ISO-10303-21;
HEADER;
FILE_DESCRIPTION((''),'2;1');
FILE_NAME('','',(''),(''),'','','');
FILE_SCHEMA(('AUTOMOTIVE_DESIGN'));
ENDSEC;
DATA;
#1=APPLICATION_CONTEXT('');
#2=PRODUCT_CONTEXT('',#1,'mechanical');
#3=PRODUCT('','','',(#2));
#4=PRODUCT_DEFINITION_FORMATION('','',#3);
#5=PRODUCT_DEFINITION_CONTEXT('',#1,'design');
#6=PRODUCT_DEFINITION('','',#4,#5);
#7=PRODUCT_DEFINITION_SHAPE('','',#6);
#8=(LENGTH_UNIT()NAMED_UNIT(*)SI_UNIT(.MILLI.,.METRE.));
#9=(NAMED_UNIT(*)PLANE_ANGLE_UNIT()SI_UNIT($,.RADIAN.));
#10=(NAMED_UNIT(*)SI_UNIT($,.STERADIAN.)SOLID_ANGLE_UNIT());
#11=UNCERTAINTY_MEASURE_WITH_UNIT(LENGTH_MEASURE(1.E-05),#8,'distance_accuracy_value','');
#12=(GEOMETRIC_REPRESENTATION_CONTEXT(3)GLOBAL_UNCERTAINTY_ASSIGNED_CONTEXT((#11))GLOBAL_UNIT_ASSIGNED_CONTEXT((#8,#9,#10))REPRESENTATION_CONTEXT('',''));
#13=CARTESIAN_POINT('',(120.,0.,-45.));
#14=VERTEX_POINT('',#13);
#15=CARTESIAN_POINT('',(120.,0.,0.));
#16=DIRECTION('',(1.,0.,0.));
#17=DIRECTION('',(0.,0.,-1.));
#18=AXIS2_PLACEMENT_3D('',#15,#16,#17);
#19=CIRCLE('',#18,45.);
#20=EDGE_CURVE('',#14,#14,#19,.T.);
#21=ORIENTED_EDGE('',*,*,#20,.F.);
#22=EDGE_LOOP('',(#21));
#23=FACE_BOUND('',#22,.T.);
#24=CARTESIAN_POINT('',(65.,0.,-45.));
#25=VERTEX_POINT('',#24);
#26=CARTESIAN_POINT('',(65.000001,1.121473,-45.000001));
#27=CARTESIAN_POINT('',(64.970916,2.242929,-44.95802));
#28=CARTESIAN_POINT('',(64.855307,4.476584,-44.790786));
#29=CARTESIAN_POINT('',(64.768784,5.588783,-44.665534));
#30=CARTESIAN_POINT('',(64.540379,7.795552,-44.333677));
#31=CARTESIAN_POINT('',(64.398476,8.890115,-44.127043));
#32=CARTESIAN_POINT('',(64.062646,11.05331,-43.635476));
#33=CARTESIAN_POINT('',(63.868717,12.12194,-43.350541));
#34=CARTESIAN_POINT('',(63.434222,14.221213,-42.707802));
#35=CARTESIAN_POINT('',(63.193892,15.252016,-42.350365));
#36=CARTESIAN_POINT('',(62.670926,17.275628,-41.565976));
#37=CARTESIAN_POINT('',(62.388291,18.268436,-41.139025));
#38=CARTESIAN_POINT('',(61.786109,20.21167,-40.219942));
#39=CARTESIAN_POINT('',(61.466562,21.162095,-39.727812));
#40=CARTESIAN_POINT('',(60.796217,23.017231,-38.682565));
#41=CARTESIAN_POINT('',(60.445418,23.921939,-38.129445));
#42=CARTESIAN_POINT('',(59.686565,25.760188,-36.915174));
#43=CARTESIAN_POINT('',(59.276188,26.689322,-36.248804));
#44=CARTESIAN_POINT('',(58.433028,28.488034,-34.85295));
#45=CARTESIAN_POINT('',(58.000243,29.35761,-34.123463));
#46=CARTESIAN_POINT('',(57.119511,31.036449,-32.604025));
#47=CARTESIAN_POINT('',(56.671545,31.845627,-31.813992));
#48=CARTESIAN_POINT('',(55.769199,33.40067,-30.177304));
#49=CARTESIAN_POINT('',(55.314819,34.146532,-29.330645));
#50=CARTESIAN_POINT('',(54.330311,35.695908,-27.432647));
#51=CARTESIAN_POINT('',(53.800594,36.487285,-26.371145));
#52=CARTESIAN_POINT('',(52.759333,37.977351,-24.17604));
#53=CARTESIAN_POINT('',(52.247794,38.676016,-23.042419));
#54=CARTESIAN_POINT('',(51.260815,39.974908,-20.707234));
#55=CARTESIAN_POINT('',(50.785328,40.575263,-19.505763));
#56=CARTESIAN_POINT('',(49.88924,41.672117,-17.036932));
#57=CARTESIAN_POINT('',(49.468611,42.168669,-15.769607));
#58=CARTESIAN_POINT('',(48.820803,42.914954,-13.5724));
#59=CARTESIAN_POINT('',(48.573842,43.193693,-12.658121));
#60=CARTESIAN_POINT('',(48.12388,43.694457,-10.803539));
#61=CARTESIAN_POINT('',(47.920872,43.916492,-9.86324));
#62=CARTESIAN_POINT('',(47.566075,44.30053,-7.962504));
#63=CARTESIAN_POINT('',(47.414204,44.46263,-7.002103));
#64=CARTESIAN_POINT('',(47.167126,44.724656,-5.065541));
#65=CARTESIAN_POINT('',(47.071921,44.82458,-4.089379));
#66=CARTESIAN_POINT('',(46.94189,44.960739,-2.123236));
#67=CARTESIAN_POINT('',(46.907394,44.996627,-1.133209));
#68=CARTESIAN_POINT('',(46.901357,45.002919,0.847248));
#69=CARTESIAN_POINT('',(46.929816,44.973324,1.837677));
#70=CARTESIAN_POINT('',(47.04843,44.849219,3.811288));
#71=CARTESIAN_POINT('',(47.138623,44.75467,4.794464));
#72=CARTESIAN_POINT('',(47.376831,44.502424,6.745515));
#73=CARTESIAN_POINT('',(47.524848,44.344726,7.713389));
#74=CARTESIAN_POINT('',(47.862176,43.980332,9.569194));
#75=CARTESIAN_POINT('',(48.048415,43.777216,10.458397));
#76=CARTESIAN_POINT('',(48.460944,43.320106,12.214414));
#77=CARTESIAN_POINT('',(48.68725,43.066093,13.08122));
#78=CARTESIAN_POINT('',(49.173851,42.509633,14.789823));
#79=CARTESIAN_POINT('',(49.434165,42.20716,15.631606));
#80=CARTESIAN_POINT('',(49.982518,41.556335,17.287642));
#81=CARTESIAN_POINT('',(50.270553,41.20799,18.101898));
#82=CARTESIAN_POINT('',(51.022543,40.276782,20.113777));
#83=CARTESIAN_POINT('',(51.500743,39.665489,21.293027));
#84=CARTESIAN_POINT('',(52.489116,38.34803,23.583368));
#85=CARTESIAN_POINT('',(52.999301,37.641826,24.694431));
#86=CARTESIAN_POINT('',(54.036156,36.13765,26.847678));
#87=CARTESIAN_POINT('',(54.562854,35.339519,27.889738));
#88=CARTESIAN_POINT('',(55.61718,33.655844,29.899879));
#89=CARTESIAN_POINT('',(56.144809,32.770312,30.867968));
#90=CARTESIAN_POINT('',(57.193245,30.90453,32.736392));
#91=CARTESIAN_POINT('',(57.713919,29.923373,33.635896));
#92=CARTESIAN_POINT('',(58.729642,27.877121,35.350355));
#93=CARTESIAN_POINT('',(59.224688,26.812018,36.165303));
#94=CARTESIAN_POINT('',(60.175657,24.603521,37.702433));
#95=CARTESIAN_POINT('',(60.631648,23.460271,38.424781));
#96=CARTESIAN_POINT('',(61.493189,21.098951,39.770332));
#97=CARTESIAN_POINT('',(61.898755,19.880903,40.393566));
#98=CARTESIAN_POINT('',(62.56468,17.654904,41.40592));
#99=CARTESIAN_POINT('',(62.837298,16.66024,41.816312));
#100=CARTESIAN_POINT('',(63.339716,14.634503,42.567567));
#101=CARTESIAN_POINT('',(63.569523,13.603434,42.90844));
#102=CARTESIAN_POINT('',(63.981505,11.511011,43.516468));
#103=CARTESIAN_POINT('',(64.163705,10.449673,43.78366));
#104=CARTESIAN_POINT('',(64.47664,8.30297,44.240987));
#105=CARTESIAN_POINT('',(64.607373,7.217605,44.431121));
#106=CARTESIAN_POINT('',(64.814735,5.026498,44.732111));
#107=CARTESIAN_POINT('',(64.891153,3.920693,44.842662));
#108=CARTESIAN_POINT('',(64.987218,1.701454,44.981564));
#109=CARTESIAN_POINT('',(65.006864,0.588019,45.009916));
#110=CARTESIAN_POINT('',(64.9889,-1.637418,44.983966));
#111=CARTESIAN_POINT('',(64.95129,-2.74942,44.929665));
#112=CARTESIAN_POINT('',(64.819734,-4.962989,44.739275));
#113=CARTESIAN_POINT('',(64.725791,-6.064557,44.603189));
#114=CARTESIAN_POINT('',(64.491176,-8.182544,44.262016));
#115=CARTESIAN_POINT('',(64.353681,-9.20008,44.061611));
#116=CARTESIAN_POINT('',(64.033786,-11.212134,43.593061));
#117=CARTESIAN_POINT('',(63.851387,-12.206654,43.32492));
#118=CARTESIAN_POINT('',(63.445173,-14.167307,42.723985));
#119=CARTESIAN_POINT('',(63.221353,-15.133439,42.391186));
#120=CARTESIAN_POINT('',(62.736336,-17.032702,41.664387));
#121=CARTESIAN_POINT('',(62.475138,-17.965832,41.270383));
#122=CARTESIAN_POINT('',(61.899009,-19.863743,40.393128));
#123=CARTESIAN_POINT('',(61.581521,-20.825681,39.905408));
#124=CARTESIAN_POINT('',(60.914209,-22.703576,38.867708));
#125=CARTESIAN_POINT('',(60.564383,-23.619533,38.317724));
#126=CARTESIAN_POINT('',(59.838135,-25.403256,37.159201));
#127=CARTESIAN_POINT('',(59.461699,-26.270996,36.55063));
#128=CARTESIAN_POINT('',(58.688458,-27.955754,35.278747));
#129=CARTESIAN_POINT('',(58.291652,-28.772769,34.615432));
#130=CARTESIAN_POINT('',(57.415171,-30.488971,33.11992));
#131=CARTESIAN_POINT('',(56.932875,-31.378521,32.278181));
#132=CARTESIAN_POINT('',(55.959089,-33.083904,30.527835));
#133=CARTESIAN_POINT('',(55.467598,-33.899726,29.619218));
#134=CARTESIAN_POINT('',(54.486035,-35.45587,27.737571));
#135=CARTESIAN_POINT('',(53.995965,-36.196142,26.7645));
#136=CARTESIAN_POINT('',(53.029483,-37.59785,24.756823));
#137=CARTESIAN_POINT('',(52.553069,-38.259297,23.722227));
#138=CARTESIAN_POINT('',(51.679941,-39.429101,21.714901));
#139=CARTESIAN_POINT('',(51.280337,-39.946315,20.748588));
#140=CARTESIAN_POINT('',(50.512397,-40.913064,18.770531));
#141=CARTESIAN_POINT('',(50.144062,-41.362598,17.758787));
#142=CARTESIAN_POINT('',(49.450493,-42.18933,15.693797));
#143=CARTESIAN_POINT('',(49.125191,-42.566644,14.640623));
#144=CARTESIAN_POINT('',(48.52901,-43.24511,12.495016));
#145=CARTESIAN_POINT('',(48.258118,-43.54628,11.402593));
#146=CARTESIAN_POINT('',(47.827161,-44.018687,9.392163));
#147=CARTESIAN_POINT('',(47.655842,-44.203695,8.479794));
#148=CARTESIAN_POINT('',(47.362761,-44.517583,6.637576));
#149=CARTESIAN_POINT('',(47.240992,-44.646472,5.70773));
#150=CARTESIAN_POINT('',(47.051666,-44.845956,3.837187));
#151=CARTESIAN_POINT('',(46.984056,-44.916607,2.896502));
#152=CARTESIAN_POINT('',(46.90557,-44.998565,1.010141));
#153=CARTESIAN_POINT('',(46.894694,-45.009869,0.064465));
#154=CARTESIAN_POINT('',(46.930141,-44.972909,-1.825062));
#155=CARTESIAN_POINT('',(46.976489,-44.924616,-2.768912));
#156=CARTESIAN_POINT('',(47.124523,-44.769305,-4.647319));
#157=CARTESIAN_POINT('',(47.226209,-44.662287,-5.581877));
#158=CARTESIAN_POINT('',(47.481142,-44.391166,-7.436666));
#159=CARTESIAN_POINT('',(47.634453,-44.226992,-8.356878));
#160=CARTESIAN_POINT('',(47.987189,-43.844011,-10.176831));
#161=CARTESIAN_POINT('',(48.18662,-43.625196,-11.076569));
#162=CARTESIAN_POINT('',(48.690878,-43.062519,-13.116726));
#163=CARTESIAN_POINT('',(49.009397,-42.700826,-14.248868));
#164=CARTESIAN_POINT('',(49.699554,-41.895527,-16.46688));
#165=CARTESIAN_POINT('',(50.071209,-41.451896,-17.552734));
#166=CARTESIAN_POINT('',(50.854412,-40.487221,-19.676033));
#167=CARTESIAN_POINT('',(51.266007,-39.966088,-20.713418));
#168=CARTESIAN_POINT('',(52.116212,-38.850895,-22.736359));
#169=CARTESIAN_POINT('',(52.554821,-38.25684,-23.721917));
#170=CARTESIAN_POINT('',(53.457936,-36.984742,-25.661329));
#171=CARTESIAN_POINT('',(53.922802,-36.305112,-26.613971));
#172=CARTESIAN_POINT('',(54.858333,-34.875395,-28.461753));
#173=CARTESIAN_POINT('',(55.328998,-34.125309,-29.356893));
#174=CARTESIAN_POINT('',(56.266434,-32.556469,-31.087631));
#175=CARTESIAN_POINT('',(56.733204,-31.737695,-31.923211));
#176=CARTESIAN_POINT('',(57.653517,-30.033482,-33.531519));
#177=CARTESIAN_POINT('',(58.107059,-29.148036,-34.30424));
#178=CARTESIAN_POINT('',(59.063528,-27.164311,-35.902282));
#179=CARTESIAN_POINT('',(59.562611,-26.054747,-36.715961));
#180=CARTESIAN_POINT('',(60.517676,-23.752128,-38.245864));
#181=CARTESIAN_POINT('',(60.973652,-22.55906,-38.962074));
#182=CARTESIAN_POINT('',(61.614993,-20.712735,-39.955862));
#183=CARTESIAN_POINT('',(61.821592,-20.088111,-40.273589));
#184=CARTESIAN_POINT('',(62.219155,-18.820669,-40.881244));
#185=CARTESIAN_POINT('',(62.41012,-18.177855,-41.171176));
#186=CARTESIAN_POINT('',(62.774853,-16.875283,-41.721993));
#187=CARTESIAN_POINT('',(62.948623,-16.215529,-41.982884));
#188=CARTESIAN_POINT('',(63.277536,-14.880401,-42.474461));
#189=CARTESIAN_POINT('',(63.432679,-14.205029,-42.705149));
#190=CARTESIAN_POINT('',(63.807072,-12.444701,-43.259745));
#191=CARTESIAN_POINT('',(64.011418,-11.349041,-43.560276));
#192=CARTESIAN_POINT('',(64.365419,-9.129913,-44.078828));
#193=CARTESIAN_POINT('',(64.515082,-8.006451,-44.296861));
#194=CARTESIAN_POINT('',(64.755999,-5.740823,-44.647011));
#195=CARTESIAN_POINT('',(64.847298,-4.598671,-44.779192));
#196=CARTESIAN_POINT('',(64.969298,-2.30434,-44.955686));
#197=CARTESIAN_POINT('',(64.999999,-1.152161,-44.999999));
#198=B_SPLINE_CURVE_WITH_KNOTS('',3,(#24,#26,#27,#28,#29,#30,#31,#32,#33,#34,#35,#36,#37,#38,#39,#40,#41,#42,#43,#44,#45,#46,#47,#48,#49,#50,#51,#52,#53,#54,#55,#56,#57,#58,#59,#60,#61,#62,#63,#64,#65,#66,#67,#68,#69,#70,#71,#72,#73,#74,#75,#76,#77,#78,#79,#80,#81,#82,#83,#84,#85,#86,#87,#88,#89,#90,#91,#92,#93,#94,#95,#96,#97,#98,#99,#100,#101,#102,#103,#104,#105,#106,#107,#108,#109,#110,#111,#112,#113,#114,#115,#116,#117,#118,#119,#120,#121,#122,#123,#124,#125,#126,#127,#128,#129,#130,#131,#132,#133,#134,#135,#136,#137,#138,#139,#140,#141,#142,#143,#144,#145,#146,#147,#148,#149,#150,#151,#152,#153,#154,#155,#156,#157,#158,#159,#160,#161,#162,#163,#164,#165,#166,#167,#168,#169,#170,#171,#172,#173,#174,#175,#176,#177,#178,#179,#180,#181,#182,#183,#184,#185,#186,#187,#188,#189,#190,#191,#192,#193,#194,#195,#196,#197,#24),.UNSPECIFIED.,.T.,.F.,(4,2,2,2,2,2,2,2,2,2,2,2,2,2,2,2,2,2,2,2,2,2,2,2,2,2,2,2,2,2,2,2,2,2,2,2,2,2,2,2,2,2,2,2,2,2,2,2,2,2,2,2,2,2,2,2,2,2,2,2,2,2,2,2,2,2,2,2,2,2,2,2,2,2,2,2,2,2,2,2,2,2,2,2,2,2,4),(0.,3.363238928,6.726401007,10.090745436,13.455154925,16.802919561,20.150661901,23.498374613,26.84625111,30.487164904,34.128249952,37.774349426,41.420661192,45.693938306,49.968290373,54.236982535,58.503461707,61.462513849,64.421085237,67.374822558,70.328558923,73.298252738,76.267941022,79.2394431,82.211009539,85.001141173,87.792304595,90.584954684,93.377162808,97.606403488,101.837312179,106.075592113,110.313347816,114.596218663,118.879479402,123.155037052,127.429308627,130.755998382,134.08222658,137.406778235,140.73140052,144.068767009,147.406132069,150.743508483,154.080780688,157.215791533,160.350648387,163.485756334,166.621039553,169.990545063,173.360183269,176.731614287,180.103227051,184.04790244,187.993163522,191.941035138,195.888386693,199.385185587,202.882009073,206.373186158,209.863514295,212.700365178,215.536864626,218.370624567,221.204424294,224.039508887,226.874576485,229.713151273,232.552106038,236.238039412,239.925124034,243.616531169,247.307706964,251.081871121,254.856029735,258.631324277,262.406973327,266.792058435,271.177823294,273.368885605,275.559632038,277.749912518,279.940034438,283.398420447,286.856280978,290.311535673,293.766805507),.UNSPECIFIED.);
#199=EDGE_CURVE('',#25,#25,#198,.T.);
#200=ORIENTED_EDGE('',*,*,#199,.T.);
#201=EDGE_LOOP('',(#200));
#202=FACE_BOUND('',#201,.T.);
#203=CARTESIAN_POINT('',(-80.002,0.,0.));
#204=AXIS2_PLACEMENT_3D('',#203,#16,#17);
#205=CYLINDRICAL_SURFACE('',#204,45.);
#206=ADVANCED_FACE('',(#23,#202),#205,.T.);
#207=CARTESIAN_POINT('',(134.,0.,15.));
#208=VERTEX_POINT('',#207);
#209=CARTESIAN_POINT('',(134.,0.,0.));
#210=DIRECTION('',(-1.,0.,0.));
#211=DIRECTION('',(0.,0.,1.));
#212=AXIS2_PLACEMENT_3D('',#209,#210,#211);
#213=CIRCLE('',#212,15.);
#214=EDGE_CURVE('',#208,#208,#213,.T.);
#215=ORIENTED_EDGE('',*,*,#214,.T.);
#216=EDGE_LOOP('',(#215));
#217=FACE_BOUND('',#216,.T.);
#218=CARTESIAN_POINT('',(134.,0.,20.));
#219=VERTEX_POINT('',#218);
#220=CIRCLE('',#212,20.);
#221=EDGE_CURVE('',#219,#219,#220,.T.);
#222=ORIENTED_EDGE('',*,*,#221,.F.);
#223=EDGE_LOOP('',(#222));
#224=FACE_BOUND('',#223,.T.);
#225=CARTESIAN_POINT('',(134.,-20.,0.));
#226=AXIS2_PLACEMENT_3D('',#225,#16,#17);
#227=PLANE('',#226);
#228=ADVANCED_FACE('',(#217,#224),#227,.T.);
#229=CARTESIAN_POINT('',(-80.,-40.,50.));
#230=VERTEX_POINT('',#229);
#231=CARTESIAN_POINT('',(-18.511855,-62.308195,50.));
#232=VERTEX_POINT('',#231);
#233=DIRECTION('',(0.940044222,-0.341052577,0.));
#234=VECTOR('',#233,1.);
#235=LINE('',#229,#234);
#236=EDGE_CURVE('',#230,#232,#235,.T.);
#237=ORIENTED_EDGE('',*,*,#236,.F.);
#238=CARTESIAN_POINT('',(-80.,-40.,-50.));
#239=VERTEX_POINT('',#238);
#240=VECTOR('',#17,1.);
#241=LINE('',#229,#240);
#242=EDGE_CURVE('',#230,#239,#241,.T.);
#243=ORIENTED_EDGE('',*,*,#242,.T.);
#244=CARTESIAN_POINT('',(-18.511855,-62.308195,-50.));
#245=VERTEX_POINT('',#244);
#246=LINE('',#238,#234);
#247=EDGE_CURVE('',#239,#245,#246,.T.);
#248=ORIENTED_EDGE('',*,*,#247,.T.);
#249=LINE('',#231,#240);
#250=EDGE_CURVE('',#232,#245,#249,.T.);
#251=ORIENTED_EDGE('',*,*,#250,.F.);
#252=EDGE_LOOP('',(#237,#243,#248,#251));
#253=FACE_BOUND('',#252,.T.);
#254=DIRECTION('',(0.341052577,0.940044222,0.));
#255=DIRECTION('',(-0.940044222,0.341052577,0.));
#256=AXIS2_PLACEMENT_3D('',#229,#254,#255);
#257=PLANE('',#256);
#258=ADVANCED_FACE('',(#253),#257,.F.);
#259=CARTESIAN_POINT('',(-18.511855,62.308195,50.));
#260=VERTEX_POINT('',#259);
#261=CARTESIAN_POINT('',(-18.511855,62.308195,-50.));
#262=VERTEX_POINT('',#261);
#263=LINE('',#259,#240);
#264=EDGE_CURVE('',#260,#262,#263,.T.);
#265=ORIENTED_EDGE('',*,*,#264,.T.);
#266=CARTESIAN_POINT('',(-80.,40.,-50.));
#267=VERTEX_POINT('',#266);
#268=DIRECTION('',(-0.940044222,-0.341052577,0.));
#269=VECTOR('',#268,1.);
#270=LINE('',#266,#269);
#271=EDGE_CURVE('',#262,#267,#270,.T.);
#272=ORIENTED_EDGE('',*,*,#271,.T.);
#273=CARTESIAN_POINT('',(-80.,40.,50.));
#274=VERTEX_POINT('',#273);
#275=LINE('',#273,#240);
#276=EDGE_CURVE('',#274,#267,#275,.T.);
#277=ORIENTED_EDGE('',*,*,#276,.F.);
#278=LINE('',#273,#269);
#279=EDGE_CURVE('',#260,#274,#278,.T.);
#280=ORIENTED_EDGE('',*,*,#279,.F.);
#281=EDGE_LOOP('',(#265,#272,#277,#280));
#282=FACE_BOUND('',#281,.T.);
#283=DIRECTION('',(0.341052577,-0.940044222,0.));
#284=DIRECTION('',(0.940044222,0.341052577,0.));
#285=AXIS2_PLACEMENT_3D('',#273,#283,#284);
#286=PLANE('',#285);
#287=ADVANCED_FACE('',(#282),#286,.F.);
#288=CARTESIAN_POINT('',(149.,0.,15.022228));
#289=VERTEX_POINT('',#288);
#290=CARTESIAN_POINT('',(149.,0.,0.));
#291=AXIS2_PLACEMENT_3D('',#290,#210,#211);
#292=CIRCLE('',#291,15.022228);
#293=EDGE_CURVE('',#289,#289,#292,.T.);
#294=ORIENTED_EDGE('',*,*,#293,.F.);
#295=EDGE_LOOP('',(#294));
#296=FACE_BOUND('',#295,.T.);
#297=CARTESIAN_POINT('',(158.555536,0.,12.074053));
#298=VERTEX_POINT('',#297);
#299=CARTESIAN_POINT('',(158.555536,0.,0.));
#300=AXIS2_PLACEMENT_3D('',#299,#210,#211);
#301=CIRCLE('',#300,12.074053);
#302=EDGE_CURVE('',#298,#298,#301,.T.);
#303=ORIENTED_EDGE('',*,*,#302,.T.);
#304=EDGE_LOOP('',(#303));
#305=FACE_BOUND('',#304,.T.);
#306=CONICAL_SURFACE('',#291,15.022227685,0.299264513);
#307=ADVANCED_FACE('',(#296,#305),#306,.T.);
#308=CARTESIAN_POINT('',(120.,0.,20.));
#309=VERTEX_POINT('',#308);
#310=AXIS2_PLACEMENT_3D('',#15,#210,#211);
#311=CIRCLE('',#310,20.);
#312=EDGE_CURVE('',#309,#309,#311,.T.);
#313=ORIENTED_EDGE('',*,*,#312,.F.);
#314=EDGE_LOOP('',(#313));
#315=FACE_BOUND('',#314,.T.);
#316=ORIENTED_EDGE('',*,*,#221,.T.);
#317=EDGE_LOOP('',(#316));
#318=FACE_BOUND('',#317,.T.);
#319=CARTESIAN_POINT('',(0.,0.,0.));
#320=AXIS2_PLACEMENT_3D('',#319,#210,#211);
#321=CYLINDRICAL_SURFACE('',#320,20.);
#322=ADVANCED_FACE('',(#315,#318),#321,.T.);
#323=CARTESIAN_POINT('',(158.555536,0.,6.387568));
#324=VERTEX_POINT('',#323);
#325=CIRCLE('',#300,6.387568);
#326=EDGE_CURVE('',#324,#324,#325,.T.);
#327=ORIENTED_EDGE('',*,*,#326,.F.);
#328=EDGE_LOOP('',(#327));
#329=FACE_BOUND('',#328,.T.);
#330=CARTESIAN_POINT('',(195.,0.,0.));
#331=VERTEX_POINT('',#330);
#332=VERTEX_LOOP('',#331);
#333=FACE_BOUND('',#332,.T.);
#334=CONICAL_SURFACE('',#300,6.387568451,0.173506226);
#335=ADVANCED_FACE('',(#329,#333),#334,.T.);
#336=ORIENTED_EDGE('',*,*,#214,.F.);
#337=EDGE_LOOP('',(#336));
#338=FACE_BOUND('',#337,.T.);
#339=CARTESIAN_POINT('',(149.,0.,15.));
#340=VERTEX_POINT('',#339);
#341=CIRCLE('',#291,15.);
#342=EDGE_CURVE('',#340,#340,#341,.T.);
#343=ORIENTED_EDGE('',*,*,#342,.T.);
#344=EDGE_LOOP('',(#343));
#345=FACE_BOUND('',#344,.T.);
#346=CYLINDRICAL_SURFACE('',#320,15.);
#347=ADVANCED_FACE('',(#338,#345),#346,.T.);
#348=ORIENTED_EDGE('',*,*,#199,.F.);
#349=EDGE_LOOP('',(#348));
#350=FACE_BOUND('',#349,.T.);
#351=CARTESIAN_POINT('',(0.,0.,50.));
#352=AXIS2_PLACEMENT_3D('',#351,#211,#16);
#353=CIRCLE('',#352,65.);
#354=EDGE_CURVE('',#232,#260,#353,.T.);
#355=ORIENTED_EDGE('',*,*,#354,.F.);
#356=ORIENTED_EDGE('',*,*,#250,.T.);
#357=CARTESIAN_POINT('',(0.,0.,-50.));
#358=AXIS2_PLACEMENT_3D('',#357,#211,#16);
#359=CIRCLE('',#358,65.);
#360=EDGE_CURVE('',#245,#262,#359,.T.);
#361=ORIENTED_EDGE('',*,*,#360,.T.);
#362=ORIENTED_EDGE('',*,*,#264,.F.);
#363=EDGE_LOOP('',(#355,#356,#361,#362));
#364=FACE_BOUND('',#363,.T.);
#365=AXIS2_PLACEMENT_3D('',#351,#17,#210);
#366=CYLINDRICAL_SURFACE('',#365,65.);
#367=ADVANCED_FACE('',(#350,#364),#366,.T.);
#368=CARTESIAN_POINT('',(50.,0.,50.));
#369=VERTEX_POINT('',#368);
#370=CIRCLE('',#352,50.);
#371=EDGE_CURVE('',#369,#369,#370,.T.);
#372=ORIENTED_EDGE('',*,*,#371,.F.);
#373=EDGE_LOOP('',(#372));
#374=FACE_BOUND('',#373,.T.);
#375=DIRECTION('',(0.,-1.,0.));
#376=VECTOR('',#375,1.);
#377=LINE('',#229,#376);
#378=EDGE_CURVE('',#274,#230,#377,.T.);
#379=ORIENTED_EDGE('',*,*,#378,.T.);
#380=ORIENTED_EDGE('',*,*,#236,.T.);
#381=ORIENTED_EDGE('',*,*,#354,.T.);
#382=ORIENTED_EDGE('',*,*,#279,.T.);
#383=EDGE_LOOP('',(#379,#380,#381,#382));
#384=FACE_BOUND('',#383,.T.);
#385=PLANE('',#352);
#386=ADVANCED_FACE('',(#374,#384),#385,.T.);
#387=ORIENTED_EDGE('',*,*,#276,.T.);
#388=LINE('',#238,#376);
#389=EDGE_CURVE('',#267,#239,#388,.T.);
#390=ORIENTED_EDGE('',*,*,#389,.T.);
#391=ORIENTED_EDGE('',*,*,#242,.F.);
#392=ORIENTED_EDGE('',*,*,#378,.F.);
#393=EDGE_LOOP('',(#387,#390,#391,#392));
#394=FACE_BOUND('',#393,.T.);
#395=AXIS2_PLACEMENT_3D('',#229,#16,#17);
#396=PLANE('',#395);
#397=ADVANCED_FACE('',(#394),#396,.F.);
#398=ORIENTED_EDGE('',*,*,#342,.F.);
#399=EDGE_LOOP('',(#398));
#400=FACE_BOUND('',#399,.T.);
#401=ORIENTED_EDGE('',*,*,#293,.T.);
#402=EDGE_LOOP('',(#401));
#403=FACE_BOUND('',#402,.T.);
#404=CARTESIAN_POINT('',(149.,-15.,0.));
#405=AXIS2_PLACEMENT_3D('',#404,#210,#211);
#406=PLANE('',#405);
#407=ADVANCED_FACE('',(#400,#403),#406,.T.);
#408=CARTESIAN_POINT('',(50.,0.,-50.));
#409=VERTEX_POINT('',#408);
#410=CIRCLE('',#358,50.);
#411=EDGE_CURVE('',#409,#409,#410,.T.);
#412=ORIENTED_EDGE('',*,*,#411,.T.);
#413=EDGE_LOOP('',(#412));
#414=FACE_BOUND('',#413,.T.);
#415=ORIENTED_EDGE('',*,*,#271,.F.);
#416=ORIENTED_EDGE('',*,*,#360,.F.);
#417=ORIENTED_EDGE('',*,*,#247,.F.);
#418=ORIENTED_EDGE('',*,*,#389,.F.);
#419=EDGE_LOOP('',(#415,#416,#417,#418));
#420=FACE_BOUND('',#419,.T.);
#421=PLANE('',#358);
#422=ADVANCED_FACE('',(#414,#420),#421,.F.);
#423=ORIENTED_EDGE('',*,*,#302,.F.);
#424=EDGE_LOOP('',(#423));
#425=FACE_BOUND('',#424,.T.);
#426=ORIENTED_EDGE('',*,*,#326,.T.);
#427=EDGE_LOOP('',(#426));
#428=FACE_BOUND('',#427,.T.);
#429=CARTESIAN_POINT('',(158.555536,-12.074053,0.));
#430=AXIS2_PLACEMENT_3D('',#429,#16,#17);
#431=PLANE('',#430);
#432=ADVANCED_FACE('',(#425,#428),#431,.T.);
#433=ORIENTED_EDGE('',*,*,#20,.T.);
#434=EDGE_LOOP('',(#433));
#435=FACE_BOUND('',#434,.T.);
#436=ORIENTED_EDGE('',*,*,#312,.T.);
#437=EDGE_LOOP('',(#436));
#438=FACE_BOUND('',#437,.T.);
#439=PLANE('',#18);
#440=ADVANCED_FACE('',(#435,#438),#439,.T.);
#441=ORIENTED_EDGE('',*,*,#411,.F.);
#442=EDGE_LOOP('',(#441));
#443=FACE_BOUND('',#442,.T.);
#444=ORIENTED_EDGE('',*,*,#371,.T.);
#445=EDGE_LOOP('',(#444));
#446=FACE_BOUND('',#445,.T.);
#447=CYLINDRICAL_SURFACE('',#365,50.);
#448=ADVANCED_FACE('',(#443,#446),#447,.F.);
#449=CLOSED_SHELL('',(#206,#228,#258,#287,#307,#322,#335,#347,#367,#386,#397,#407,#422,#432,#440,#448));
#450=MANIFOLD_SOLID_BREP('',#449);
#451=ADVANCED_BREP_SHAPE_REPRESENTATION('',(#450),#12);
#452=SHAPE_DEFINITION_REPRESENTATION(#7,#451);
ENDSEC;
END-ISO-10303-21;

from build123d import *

# Parameters (mm, degrees)
SKETCH1_R                = 50
BOSS_EXTRUDE1_DEPTH      = 50
BOSS_EXTRUDE2_REACH      = 218.16
BOSS_EXTRUDE2_END_RADIUS = 65
SKETCH2_R                = 45


with BuildPart() as part:
    # Sketch1 → Boss-Extrude1 (new, symmetric)
    with BuildSketch(Plane.XY):
        with BuildLine():
            Line((-80, -40), (-80, 40))
            Line((-80, 40), (-18.511855165, 62.308195435))
            ThreePointArc((-18.511855165, 62.308195435), (65, 0), (-18.511855165, -62.308195435))
            Line((-18.511855165, -62.308195435), (-80, -40))
        make_face()
        Circle(SKETCH1_R, mode=Mode.SUBTRACT)
    extrude(amount=BOSS_EXTRUDE1_DEPTH, both=True)

    # Boss-Extrude2: up to this cylinder (the profile starts outside it)
    boss_extrude2_end = Plane(origin=(0, 0, 0), z_dir=(0, 0, -1)) * Cylinder(BOSS_EXTRUDE2_END_RADIUS, 567.32, mode=Mode.PRIVATE)
    # Sketch2 → Boss-Extrude2 (add, up to the surface)
    with BuildSketch(Plane(origin=(120, 0, 0), x_dir=(0, 0, -1), z_dir=(1, 0, 0)), mode=Mode.PRIVATE) as boss_extrude2_sk1:
        Circle(SKETCH2_R)
    boss_extrude2_tool1 = extrude(boss_extrude2_sk1.sketch, amount=-BOSS_EXTRUDE2_REACH, mode=Mode.PRIVATE) - boss_extrude2_end
    add(boss_extrude2_tool1.solids().sort_by_distance((120, 0, 0))[0])

    # Sketch3 → Revolve1 (revolve)
    with BuildSketch(Plane.XY, mode=Mode.PRIVATE) as revolve1_sk:
        Polygon((120, 0), (120, -20), (134, -20), (134, -15), (149, -15), (149, -15.022227685), (158.555535821, -12.074052797), (158.555535821, -6.387568451), (195, 0), align=None)
    revolve(revolve1_sk.sketch.rotate(Axis((0, 0, 0), (1, 0, 0)), 270), axis=Axis((0, 0, 0), (1, 0, 0)))


solid = part.part
